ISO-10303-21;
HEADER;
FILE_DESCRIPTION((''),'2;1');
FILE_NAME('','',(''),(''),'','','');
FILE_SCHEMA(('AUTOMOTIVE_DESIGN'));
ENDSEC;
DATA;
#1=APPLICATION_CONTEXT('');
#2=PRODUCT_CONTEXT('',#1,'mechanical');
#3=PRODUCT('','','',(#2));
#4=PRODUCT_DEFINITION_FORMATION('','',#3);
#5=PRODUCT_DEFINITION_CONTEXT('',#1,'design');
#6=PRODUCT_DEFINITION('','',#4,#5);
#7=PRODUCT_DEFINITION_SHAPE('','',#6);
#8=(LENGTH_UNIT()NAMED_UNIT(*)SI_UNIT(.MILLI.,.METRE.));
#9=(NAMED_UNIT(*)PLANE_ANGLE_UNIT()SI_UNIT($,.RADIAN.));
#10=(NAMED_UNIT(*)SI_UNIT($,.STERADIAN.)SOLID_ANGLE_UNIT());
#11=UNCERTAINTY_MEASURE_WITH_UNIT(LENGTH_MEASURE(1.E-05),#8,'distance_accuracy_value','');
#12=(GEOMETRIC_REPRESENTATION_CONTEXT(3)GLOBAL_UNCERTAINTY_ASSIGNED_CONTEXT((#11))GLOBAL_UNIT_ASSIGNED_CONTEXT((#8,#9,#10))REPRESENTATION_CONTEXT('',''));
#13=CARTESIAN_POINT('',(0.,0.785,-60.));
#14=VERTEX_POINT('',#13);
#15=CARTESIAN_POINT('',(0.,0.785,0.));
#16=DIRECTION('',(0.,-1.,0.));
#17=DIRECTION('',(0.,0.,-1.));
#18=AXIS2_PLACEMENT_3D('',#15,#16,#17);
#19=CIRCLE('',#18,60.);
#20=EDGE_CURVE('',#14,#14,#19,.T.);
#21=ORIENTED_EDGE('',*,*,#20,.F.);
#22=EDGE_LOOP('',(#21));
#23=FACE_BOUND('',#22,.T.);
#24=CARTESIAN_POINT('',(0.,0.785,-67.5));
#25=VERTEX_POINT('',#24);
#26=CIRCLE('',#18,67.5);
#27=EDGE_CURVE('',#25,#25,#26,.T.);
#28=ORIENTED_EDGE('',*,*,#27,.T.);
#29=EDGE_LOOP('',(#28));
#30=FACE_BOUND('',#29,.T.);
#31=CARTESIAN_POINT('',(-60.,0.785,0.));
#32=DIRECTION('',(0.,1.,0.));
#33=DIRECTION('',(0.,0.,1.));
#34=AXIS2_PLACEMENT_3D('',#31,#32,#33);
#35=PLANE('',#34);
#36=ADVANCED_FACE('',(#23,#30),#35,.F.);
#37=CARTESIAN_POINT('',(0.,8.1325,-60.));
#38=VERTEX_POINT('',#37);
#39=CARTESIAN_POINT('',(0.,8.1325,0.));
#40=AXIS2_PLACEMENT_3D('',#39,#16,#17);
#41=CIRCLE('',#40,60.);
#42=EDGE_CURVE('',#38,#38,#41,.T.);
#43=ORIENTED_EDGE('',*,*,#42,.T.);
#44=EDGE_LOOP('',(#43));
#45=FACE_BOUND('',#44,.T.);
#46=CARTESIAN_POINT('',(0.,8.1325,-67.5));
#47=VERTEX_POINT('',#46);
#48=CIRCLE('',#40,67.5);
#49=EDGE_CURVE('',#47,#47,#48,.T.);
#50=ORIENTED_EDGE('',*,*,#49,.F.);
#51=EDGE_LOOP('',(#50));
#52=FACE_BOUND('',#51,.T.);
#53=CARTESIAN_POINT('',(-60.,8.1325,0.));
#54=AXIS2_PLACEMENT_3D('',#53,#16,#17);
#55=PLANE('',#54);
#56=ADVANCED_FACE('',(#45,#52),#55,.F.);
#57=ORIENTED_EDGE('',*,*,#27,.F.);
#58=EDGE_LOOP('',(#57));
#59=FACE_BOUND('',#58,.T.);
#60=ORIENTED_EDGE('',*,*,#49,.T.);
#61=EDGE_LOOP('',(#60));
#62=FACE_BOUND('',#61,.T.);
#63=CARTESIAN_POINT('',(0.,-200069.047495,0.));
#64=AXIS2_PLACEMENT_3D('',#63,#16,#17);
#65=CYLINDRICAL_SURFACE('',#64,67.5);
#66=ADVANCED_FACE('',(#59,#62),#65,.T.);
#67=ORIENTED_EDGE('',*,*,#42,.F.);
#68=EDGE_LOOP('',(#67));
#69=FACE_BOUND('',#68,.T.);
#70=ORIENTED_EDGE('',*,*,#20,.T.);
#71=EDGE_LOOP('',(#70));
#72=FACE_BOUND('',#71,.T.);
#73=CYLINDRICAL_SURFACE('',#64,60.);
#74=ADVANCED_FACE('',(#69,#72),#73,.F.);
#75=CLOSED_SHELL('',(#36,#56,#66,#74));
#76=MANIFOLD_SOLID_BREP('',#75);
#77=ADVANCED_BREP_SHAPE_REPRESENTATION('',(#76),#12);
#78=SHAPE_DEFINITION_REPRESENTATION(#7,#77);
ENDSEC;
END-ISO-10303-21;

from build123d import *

# Parameters (mm, degrees)
SKETCH1_W = 7.5
SKETCH1_H = 7.3475


with BuildPart() as part:
    # Sketch1 → Revolve1 (revolve)
    with BuildSketch(Plane.XY, mode=Mode.PRIVATE) as revolve1_sk:
        with Locations((-63.75, 4.45875)):
            Rectangle(SKETCH1_W, SKETCH1_H)
    revolve(revolve1_sk.sketch.rotate(Axis((0, -200069.047495165, 0), (0, 1, 0)), 270), axis=Axis((0, -200069.047495165, 0), (0, 1, 0)))


solid = part.part
